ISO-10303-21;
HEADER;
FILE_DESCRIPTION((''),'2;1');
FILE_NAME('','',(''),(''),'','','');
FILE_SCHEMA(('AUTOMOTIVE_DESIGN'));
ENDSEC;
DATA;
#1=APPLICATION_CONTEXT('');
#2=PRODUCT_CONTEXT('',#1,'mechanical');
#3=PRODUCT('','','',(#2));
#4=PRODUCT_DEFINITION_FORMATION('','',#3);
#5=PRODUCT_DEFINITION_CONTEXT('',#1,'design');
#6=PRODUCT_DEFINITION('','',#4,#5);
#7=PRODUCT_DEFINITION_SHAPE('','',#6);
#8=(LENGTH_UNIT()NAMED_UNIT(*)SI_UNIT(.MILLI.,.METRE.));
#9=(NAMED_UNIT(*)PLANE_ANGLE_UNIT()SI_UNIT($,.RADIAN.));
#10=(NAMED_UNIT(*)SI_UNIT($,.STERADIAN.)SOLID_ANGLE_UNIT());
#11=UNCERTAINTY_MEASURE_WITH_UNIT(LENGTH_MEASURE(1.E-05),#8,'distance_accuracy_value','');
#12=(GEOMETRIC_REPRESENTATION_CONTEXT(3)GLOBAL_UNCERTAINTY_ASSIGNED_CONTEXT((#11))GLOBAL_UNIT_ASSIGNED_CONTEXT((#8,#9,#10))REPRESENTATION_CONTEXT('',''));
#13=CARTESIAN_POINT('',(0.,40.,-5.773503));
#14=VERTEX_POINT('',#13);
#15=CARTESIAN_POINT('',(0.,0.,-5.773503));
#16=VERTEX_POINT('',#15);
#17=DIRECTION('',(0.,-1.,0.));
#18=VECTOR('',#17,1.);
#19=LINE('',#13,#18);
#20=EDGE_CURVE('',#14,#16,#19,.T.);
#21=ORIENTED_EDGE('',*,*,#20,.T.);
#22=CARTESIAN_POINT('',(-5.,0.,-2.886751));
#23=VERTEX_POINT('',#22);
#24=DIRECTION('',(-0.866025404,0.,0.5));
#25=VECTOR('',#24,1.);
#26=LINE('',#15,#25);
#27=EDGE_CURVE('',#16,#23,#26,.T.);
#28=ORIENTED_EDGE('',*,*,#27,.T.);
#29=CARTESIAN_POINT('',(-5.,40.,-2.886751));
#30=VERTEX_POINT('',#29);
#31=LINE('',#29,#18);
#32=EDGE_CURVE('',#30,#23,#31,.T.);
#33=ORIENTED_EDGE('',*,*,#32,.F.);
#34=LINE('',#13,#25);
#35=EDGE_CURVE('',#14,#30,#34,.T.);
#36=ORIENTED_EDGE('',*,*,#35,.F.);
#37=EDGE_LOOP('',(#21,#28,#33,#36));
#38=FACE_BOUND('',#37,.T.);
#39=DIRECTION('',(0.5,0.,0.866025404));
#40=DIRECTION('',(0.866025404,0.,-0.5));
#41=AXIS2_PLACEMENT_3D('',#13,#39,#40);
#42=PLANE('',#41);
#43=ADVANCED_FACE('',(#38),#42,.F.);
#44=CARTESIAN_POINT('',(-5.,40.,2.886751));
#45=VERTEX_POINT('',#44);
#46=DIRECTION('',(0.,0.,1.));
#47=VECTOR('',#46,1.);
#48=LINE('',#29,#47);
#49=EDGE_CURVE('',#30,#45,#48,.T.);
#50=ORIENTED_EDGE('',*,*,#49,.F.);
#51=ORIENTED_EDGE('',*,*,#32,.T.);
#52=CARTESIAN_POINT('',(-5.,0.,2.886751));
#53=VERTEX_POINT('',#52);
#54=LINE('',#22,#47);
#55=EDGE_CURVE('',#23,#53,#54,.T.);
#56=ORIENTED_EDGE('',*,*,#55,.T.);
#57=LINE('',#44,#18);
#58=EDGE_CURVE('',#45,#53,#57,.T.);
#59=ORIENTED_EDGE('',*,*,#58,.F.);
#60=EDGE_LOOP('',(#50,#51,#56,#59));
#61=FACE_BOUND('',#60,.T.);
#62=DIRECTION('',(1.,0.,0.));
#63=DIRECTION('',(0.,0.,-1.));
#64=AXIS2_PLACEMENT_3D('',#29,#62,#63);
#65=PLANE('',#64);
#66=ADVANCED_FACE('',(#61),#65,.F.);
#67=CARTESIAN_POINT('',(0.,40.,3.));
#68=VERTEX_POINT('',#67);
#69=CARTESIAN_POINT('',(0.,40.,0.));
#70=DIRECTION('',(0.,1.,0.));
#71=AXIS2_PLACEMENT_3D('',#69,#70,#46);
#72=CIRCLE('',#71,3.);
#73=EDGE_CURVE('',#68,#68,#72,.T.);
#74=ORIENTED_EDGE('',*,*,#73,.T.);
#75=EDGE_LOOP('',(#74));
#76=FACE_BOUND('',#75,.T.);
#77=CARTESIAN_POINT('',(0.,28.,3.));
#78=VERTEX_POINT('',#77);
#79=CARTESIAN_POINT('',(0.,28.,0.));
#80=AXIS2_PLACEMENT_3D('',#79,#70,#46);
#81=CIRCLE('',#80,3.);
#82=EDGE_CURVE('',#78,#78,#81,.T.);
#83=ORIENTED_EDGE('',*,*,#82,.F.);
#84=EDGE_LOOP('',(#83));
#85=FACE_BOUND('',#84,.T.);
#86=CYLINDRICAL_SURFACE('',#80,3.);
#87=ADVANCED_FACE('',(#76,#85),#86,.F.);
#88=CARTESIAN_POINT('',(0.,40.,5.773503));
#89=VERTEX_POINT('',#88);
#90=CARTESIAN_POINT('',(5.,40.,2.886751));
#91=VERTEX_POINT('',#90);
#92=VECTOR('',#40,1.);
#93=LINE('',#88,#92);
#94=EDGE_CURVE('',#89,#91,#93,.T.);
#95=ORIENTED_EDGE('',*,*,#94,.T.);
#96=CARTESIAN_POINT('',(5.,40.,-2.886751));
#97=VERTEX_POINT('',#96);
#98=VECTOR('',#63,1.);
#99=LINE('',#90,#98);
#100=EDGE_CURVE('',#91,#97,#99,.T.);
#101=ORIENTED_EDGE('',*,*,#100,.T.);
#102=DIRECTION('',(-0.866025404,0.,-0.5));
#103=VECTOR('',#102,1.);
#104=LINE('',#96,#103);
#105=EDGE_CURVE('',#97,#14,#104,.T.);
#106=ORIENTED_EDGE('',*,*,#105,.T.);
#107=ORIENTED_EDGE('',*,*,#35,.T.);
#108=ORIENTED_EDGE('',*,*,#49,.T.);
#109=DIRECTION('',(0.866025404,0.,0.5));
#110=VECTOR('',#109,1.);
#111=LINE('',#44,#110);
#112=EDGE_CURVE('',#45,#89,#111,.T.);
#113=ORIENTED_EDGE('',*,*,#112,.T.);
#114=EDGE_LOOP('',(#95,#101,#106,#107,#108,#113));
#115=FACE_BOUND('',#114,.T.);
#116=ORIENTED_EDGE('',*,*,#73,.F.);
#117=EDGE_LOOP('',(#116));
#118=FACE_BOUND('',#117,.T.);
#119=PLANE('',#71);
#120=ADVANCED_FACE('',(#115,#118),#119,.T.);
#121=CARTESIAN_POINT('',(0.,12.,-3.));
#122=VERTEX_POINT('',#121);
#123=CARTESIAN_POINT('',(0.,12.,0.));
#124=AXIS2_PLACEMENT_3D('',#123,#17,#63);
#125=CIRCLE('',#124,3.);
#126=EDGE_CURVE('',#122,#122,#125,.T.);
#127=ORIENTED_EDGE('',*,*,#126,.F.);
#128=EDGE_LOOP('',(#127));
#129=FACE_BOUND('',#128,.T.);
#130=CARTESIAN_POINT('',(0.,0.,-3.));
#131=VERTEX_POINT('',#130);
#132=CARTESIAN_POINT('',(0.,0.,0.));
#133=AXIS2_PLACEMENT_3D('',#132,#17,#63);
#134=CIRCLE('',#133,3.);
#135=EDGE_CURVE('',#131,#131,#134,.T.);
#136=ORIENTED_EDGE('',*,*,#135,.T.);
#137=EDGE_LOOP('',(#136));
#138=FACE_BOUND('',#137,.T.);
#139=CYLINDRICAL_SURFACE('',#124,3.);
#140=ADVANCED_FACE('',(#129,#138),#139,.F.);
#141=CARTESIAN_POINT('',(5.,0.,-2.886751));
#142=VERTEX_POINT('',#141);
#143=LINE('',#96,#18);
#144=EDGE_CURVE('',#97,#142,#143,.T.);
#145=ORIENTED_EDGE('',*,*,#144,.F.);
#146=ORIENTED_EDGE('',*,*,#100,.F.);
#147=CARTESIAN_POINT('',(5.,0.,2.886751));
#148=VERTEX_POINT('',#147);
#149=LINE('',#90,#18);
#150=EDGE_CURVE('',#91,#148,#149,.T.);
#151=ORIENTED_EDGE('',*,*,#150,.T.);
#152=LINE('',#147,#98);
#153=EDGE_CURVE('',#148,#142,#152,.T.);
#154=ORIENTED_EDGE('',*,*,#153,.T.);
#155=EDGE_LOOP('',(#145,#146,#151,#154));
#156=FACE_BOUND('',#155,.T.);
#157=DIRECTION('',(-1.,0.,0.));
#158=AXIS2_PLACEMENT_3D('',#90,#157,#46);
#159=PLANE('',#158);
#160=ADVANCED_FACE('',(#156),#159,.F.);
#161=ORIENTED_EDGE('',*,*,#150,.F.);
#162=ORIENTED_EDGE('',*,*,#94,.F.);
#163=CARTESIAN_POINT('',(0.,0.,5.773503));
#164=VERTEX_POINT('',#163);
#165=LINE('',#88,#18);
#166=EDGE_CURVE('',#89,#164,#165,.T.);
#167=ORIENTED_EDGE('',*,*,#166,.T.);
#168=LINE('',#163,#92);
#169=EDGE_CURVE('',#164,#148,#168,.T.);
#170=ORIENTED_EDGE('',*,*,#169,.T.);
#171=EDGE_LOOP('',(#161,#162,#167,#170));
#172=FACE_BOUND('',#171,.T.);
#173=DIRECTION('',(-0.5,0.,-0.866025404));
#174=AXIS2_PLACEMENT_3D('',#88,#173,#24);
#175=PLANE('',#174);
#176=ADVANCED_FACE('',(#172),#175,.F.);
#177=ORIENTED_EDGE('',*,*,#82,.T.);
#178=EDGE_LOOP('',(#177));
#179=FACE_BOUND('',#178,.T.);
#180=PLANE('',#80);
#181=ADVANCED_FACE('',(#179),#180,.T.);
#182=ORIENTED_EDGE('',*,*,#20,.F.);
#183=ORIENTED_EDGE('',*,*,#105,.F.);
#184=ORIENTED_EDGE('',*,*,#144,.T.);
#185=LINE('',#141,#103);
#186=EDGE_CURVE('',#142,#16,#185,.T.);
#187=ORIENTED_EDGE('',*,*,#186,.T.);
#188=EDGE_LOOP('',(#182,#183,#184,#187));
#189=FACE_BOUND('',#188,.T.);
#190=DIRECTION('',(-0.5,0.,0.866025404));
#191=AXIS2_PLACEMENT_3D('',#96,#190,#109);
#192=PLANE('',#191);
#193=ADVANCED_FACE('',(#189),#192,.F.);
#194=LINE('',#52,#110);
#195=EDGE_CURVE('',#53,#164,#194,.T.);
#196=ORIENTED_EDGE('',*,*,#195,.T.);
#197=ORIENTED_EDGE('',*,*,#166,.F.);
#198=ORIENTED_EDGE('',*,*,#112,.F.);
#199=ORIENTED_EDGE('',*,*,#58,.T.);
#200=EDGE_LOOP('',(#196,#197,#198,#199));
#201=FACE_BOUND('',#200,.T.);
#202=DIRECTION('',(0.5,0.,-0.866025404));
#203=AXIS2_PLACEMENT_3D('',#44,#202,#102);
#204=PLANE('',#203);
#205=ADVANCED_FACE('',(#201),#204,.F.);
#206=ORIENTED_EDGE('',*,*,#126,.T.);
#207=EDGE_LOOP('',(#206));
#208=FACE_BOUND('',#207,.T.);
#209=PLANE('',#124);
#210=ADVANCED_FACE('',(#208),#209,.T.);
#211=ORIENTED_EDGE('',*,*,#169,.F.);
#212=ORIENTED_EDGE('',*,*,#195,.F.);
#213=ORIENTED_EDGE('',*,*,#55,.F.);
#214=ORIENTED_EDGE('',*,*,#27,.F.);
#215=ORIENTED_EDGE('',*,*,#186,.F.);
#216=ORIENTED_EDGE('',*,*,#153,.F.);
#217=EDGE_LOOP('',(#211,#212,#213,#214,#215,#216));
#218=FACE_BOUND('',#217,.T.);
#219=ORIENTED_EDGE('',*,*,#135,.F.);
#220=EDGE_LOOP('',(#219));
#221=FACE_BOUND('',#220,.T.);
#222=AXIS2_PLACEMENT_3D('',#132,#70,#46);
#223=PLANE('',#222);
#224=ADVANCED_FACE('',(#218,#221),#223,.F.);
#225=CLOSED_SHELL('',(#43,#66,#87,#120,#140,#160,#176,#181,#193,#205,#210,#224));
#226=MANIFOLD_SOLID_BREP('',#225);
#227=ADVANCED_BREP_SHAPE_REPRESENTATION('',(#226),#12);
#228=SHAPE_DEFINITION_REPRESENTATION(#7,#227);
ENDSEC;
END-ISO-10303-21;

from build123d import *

# Parameters (mm, degrees)
BOSS_EXTRUDE1_DEPTH = 40
SKETCH3_R           = 3
CUT_EXTRUDE1_DEPTH  = 12
SKETCH4_R           = 3
CUT_EXTRUDE2_DEPTH  = 12


with BuildPart() as part:
    # Sketch1 → Boss-Extrude1 (new body)
    with BuildSketch(Plane(origin=(0, 0, 0), x_dir=(1, 0, 0), z_dir=(0, 1, 0))):
        Polygon((0, -5.773502692), (5, -2.886751346), (5, 2.886751346), (0, 5.773502692), (-5, 2.886751346), (-5, -2.886751346), align=None)
    extrude(amount=BOSS_EXTRUDE1_DEPTH)

    # Sketch3 → Cut-Extrude1 (cut)
    with BuildSketch(Plane.XZ):
        Circle(SKETCH3_R)
    extrude(amount=-CUT_EXTRUDE1_DEPTH, mode=Mode.SUBTRACT)

    # Sketch4 → Cut-Extrude2 (cut)
    with BuildSketch(Plane(origin=(0, 40, 0), x_dir=(1, 0, 0), z_dir=(0, 1, 0))):
        Circle(SKETCH4_R)
    extrude(amount=-CUT_EXTRUDE2_DEPTH, mode=Mode.SUBTRACT)


solid = part.part
